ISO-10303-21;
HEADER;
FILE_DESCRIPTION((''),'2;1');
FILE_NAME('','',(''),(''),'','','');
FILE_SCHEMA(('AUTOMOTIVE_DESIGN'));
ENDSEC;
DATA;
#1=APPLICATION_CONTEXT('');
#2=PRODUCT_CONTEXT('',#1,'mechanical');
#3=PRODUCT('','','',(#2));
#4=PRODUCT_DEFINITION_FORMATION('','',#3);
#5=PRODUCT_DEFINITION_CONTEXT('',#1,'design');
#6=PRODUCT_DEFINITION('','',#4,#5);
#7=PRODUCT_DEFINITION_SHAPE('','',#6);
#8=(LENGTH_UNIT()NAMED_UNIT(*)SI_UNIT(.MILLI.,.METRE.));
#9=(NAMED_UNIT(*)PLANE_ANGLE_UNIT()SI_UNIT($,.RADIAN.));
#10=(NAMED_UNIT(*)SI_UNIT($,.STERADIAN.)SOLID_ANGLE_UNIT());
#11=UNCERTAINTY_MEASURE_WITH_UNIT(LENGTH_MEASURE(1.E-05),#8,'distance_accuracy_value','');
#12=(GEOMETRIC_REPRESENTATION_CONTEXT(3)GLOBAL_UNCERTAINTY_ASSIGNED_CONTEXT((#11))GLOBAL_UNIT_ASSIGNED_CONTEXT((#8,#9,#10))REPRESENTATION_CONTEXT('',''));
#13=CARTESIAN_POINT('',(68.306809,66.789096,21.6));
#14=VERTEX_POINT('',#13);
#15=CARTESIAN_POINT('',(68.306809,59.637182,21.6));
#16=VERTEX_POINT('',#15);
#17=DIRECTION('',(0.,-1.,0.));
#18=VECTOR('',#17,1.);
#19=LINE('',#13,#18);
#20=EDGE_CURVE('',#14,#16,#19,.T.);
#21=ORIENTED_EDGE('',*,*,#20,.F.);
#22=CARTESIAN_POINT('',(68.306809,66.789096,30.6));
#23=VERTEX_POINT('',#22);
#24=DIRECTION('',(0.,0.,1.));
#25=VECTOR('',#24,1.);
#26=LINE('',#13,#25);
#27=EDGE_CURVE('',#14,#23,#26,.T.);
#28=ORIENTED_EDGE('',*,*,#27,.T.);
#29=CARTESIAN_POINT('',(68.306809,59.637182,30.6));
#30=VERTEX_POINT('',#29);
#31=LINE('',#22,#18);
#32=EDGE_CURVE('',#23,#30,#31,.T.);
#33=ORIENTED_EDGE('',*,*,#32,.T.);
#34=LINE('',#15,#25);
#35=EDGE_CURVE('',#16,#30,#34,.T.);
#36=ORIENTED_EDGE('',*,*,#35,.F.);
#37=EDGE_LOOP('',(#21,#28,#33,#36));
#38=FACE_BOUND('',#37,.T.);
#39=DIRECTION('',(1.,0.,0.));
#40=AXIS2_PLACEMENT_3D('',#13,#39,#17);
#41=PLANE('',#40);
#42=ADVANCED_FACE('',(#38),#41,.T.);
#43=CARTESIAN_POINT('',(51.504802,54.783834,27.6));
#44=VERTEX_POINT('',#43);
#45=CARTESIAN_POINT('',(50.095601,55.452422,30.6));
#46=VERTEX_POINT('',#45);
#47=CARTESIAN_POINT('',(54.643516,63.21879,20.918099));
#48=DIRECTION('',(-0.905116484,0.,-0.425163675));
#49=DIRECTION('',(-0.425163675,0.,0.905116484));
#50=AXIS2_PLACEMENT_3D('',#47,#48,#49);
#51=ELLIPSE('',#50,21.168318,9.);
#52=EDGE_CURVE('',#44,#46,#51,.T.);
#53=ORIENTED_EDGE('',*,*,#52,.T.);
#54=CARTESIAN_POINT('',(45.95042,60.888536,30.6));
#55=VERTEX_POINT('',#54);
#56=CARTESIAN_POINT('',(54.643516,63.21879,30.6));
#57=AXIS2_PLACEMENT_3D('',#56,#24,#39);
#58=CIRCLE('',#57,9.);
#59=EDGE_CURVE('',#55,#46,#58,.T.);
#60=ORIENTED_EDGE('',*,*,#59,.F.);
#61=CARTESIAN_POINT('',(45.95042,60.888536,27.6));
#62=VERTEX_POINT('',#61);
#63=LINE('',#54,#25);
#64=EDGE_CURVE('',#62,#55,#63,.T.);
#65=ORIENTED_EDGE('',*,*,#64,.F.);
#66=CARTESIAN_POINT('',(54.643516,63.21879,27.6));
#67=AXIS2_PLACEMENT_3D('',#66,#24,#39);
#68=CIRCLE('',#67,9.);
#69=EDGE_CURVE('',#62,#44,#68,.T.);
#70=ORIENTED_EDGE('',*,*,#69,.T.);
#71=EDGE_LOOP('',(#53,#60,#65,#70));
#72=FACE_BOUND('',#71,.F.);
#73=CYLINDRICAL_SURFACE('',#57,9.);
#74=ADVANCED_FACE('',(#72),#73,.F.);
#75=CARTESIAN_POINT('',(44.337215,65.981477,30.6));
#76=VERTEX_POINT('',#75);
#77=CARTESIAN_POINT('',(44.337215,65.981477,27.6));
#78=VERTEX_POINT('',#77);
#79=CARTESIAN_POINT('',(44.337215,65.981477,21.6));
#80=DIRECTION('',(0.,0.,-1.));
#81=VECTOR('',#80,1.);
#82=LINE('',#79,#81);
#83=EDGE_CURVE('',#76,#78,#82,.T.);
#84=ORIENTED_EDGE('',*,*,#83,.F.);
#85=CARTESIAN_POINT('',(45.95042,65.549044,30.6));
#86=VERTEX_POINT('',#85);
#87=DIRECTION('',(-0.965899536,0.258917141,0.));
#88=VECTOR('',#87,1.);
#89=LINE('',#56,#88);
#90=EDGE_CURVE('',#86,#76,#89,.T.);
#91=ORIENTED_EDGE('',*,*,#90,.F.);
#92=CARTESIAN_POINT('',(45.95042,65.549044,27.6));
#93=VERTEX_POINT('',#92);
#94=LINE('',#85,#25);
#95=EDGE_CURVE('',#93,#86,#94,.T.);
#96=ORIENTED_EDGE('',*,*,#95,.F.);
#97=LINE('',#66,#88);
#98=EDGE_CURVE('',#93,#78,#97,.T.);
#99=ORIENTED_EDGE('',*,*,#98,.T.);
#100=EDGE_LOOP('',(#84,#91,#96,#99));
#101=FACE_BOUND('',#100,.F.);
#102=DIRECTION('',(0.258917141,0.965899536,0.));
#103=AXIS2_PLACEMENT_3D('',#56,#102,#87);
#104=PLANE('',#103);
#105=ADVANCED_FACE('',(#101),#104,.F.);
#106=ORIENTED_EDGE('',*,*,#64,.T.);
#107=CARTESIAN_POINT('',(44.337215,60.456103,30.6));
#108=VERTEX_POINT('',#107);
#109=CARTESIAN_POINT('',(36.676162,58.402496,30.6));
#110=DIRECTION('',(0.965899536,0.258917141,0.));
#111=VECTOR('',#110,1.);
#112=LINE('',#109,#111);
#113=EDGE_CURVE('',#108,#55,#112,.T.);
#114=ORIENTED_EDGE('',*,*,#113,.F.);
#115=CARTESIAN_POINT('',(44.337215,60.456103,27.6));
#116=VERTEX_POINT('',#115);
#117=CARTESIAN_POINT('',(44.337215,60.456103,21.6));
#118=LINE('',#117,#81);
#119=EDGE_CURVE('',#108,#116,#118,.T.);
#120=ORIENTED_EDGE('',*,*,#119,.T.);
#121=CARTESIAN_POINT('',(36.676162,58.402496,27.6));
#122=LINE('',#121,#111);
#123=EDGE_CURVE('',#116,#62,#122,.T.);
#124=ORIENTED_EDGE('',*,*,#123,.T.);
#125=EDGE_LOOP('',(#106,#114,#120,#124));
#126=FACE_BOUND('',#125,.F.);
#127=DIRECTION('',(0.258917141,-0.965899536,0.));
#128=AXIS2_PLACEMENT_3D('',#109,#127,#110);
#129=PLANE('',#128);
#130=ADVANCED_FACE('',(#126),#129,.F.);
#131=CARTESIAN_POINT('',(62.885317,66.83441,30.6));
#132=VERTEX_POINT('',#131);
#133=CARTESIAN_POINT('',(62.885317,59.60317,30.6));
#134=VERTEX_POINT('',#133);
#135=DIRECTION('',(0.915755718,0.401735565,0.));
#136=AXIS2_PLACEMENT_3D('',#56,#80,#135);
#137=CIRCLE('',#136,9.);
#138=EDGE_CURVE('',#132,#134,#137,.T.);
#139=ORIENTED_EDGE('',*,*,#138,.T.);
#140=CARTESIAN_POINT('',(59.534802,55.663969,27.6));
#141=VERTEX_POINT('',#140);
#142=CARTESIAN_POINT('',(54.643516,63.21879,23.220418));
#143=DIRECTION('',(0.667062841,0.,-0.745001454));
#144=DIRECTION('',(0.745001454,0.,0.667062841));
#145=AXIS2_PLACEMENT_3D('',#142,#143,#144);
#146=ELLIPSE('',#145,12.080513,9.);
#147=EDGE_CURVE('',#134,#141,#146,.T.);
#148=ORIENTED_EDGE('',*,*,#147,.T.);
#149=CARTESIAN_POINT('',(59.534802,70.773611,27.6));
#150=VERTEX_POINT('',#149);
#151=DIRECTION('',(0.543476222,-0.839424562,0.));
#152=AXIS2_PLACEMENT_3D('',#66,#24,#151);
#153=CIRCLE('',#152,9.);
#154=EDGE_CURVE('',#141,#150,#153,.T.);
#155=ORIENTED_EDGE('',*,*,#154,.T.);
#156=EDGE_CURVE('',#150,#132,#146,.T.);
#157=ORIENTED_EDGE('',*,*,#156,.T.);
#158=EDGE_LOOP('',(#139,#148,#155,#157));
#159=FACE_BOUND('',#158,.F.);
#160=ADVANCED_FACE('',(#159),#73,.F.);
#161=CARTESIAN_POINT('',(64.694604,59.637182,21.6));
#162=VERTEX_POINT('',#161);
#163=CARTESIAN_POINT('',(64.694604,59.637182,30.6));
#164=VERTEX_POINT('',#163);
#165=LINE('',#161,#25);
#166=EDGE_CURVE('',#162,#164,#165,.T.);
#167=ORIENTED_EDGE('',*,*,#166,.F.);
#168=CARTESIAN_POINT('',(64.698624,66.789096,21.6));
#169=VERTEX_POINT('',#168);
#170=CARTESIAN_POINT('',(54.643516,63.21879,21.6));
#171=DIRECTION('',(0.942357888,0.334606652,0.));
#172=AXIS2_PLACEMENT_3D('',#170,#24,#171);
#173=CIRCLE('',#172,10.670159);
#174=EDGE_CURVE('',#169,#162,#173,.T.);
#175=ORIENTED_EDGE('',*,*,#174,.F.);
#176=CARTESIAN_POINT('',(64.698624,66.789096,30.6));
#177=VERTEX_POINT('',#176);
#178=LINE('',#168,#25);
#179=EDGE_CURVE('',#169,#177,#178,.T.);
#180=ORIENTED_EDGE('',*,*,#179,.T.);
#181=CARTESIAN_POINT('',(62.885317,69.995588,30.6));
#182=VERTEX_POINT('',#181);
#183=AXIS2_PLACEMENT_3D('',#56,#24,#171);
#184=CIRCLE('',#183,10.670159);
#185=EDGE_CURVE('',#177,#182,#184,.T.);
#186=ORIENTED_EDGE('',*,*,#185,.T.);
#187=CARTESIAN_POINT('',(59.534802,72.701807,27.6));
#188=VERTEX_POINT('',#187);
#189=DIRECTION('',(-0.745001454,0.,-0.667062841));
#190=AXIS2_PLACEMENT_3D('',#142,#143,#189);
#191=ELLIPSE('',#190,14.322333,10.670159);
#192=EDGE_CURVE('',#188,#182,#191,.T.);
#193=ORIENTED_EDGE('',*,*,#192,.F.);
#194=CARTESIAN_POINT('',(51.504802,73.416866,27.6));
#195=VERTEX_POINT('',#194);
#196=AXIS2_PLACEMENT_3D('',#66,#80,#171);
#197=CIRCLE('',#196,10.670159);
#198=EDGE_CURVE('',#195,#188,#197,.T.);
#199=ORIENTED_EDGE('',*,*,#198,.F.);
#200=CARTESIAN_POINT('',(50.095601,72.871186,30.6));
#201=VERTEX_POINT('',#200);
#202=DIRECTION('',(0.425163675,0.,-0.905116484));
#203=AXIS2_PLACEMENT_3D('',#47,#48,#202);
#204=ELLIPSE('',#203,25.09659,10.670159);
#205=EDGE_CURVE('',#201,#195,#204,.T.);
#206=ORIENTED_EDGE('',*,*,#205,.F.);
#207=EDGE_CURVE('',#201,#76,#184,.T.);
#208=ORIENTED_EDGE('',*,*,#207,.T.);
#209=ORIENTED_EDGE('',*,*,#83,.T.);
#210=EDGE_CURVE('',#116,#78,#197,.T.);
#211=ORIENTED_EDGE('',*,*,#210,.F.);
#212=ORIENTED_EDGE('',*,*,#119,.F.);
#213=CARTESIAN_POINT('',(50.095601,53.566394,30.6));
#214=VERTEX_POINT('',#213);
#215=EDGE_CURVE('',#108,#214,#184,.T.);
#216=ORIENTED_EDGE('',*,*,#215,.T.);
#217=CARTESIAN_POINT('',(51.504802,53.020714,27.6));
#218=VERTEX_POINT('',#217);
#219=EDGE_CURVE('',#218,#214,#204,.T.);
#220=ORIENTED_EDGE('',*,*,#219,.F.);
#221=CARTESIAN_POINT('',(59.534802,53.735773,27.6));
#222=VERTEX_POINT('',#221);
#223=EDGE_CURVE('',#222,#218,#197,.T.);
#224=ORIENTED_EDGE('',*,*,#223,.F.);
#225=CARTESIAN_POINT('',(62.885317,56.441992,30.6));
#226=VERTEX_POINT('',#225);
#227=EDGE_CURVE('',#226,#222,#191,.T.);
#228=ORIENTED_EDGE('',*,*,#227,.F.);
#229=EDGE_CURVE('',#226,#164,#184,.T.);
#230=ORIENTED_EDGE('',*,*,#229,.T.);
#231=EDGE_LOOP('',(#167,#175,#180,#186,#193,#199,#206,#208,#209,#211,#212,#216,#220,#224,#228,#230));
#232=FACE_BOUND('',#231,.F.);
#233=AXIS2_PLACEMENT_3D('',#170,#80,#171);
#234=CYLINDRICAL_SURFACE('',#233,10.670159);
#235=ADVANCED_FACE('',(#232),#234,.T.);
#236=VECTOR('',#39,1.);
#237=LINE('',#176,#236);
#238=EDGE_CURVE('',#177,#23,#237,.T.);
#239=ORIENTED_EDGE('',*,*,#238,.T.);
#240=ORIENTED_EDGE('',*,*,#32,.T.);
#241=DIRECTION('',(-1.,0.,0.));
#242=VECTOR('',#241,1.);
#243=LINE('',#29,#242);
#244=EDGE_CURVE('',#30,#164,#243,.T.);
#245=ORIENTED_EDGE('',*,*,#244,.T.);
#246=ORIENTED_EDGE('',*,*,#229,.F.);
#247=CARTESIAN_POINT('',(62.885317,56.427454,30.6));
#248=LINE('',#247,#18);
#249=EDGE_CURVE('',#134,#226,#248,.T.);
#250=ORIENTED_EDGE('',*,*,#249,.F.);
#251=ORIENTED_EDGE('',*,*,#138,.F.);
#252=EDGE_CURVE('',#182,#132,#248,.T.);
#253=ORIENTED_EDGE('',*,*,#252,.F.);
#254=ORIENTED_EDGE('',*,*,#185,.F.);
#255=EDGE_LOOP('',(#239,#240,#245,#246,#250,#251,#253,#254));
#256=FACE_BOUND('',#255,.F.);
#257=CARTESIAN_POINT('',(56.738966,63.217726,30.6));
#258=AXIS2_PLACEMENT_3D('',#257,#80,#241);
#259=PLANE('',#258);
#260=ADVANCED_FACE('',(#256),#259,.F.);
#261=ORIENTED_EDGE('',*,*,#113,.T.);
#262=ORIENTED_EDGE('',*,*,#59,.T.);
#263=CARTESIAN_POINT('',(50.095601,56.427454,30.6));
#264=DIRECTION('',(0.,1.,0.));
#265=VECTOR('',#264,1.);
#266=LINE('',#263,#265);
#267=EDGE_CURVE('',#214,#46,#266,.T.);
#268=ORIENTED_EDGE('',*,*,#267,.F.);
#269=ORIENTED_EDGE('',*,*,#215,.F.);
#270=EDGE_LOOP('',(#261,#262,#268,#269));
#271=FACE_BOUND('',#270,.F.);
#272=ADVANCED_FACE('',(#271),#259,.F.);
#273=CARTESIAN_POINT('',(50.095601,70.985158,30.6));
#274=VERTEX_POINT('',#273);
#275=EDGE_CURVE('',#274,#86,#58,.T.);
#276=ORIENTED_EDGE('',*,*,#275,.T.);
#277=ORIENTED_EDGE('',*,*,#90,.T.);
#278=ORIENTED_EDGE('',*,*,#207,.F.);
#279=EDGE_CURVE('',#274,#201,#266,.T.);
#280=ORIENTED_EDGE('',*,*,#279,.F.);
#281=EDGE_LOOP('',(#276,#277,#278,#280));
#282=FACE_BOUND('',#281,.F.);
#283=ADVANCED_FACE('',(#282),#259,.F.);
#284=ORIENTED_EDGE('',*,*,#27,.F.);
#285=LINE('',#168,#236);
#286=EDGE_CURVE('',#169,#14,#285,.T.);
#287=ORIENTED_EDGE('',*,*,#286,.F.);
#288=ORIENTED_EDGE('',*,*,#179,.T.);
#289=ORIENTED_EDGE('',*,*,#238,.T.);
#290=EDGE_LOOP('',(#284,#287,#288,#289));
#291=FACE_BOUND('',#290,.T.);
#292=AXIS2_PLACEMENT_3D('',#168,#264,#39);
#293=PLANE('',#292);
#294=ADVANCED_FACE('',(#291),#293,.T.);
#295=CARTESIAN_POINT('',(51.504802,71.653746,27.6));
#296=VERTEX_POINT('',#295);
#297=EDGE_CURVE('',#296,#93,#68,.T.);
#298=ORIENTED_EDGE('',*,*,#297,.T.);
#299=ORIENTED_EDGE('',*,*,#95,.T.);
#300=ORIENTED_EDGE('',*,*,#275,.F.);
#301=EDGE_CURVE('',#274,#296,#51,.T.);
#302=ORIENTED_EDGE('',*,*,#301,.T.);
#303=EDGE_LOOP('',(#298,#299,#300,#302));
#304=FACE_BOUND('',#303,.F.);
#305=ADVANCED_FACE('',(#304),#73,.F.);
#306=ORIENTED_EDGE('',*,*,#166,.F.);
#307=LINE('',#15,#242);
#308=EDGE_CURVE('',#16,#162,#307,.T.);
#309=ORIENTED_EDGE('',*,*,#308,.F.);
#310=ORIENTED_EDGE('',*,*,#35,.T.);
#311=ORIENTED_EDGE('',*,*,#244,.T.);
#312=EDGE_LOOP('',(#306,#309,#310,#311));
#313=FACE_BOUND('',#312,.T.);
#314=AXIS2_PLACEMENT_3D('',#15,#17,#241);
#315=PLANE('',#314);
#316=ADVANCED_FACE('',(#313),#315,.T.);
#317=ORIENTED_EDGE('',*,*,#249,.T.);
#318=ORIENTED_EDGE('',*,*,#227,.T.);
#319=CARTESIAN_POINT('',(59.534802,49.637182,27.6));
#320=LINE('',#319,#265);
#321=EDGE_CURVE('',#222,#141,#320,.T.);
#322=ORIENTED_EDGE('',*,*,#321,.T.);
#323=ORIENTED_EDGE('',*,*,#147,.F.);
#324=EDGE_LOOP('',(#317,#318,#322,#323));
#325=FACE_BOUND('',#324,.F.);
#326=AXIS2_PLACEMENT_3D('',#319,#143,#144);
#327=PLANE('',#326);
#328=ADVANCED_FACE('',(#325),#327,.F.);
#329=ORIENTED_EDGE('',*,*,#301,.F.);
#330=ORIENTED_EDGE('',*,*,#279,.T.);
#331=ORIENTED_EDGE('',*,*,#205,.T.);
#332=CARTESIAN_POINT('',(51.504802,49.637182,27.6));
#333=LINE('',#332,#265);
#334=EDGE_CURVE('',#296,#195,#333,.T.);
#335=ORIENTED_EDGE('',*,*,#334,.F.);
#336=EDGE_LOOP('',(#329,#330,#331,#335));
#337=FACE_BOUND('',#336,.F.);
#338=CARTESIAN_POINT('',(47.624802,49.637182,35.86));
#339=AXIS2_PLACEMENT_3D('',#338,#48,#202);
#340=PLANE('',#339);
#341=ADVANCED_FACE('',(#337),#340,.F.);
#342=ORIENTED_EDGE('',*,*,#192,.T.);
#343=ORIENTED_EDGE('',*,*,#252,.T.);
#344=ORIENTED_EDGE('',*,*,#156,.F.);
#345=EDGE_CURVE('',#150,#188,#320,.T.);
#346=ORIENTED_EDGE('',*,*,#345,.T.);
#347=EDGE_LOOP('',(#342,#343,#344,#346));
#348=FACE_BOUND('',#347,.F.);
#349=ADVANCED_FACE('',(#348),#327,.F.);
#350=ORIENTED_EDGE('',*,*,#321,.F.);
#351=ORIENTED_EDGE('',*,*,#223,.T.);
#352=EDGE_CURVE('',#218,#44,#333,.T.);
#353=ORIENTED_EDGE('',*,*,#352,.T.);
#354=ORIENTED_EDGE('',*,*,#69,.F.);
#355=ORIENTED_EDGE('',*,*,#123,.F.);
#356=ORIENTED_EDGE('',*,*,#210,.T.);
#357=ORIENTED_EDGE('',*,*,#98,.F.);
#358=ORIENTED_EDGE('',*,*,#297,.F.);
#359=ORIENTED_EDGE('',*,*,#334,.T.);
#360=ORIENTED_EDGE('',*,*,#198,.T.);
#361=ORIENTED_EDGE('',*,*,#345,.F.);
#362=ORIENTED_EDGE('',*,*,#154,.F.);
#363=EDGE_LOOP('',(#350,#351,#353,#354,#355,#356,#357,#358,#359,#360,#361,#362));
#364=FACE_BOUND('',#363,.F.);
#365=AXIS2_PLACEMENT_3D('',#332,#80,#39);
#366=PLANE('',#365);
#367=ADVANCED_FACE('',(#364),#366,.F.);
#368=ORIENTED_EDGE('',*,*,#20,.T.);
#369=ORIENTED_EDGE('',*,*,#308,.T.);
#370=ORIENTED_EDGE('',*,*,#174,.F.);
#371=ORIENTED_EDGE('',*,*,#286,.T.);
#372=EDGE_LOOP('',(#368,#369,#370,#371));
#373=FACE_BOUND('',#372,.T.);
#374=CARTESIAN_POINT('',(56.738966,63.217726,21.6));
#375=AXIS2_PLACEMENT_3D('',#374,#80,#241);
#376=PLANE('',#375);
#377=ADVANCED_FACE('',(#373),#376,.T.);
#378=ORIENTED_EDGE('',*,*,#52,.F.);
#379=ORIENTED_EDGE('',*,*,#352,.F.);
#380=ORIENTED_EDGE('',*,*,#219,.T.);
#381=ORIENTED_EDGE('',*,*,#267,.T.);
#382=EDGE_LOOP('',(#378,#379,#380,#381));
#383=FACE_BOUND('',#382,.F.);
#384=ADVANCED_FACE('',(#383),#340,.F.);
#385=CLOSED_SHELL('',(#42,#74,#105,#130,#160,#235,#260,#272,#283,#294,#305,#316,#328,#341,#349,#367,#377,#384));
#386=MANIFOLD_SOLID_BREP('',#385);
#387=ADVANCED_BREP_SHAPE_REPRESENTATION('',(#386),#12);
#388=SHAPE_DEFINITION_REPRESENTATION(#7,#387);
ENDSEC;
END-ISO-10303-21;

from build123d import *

# Parameters (mm, degrees)
PAD063_DEPTH    = 9
SKETCH096_R     = 9
POCKET019_DEPTH = 3
POCKET020_DEPTH = 24.2527662109
POCKET021_DEPTH = 3


with BuildPart() as part:
    # Sketch095 → Pad063 (new body)
    with BuildSketch(Plane.XY.offset(1.6)):
        with BuildLine():
            Line((64.6986240714, 66.789096024), (68.3068088834, 66.789096024))
            Line((68.3068088834, 66.789096024), (68.3068088834, 59.6371823367))
            Line((68.3068088834, 59.6371823367), (64.6946039998, 59.6371823367))
            ThreePointArc((64.6986240714, 66.789096024), (43.973359138, 63.2247876667), (64.6946039998, 59.6371823367))
        make_face()
    extrude(amount=PAD063_DEPTH)

    # Sketch096 (on Face6 of Pad063) → Pocket019 (cut)
    with BuildSketch(Plane.XY.offset(10.6)):
        with Locations((54.643516, 63.21879)):
            Circle(SKETCH096_R)
    extrude(amount=-POCKET019_DEPTH, mode=Mode.SUBTRACT)

    # Sketch097 (on DatumPlane) → Pocket020 (cut, through all)
    with BuildSketch(Plane(origin=(0, 49.6371823367, 1.6), x_dir=(1, 0, 0), z_dir=(0, -1, 0))):
        Polygon((47.624802, 14.26), (51.504802, 6), (59.534802, 6), (66.034802, 11.82), align=None)
    extrude(amount=-POCKET020_DEPTH, mode=Mode.SUBTRACT)

    # Sketch098 (on Face10 of Pocket020) → Pocket021 (cut)
    with BuildSketch(Plane.XY.offset(10.6)):
        Polygon((54.643516, 63.21879), (36.6761624803, 68.0350836562), (36.6761624803, 58.4024963438), align=None)
    extrude(amount=-POCKET021_DEPTH, mode=Mode.SUBTRACT)


with BuildPart() as part_1:
    # Body011 placement: moved
    add(part.part.moved(Location((0, 0, 20))))


solid = part_1.part
